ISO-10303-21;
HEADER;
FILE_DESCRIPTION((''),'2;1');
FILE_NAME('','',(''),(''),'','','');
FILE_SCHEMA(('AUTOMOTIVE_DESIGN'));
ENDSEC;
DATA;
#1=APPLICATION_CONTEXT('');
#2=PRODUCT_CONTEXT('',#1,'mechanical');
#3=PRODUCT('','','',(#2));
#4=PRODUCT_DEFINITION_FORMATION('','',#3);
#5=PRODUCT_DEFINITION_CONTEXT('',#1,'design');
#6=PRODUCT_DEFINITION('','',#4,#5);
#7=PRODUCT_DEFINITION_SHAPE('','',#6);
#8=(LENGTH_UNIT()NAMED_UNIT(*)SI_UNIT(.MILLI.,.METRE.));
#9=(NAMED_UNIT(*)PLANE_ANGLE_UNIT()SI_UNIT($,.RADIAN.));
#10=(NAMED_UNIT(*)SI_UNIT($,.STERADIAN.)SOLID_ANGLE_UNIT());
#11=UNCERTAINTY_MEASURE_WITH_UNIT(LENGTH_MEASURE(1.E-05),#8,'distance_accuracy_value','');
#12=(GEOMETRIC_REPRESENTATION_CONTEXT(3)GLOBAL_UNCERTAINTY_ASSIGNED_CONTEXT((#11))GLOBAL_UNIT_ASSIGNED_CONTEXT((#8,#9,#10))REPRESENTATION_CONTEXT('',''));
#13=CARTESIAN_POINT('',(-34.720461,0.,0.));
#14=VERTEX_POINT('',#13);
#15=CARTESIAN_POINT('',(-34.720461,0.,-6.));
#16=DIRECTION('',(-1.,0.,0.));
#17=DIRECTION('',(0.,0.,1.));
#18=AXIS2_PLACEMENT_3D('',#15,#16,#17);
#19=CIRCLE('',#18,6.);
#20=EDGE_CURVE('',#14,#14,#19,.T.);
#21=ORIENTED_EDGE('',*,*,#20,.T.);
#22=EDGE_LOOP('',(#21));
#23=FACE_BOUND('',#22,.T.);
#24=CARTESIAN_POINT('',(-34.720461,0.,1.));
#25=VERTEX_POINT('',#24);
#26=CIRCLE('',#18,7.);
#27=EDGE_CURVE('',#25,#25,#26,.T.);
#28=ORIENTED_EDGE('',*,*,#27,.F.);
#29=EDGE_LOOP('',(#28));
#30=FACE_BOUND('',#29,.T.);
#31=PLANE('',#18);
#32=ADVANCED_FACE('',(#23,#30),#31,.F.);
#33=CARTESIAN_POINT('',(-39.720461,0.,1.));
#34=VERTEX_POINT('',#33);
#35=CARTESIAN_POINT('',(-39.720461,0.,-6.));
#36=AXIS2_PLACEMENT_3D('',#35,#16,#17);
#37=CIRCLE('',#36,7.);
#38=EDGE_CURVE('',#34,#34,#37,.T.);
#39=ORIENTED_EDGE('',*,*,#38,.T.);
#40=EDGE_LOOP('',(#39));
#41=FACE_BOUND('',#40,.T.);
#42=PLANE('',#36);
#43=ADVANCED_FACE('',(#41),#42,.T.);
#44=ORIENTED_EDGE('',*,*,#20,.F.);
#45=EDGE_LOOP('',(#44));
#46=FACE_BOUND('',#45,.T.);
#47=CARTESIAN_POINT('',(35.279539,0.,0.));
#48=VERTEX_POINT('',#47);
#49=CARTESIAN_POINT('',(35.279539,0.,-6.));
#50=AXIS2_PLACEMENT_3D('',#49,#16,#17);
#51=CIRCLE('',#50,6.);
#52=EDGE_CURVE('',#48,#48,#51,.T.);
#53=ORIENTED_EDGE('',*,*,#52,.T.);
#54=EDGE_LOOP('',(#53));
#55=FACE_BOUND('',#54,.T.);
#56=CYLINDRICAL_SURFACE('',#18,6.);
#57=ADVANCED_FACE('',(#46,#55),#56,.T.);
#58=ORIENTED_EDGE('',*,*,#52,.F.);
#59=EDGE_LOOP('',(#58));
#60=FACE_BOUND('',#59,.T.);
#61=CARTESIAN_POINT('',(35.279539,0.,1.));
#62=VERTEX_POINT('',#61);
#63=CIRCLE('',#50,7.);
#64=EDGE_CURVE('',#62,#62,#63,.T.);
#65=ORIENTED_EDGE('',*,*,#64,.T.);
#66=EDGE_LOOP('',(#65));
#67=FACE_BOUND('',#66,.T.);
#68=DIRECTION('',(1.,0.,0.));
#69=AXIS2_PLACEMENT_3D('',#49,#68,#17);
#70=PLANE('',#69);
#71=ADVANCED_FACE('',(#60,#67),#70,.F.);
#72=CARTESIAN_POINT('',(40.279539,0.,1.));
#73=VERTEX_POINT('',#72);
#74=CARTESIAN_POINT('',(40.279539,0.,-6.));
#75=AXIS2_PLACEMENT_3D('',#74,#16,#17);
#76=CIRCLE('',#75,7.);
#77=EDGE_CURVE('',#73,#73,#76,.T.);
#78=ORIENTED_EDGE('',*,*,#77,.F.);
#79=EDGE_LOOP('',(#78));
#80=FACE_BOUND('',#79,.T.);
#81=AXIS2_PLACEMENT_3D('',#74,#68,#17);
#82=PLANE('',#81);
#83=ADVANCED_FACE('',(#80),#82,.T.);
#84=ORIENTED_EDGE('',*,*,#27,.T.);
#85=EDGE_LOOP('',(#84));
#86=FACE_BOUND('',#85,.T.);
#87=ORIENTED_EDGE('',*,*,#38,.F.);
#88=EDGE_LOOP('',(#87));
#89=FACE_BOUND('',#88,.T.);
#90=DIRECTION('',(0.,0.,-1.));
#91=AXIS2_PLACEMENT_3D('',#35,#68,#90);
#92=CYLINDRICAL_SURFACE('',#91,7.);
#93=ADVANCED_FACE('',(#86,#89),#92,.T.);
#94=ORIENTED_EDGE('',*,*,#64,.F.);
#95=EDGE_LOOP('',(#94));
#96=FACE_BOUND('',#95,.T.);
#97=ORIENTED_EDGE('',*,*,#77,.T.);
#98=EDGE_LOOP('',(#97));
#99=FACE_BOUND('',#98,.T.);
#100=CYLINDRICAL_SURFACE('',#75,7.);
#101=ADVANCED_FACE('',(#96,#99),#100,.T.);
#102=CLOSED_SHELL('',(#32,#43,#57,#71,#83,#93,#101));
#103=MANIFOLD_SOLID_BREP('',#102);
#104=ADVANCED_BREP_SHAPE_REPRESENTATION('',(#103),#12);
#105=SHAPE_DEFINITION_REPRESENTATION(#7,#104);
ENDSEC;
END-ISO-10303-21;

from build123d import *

# Parameters (mm, degrees)
SKETCH1_W           = 70
SKETCH1_H           = 6
SKETCH2_R           = 7
BOSS_EXTRUDE1_DEPTH = 5


with BuildPart() as part:
    # Sketch1 → Revolve1 (revolve)
    with BuildSketch(Plane(origin=(0, 0, 0), x_dir=(1, 0, 0), z_dir=(0, 1, 0))):
        with Locations((0.279538905, 9)):
            Rectangle(SKETCH1_W, SKETCH1_H)
    revolve(axis=Axis((-34.720461095, 0, -6), (1, 0, 0)))

    # Sketch2 → Boss-Extrude1 (add)
    with BuildSketch(Plane.ZY.offset(34.720461095)):
        with Locations((-6, 0)):
            Circle(SKETCH2_R)
    boss_extrude1 = extrude(amount=BOSS_EXTRUDE1_DEPTH)

    # Mirror1: Boss-Extrude1 across plane
    add(boss_extrude1.mirror(Plane(origin=(0.279538905, 0, 0), x_dir=(0, 0, 1), z_dir=(1, 0, 0))))


solid = part.part
